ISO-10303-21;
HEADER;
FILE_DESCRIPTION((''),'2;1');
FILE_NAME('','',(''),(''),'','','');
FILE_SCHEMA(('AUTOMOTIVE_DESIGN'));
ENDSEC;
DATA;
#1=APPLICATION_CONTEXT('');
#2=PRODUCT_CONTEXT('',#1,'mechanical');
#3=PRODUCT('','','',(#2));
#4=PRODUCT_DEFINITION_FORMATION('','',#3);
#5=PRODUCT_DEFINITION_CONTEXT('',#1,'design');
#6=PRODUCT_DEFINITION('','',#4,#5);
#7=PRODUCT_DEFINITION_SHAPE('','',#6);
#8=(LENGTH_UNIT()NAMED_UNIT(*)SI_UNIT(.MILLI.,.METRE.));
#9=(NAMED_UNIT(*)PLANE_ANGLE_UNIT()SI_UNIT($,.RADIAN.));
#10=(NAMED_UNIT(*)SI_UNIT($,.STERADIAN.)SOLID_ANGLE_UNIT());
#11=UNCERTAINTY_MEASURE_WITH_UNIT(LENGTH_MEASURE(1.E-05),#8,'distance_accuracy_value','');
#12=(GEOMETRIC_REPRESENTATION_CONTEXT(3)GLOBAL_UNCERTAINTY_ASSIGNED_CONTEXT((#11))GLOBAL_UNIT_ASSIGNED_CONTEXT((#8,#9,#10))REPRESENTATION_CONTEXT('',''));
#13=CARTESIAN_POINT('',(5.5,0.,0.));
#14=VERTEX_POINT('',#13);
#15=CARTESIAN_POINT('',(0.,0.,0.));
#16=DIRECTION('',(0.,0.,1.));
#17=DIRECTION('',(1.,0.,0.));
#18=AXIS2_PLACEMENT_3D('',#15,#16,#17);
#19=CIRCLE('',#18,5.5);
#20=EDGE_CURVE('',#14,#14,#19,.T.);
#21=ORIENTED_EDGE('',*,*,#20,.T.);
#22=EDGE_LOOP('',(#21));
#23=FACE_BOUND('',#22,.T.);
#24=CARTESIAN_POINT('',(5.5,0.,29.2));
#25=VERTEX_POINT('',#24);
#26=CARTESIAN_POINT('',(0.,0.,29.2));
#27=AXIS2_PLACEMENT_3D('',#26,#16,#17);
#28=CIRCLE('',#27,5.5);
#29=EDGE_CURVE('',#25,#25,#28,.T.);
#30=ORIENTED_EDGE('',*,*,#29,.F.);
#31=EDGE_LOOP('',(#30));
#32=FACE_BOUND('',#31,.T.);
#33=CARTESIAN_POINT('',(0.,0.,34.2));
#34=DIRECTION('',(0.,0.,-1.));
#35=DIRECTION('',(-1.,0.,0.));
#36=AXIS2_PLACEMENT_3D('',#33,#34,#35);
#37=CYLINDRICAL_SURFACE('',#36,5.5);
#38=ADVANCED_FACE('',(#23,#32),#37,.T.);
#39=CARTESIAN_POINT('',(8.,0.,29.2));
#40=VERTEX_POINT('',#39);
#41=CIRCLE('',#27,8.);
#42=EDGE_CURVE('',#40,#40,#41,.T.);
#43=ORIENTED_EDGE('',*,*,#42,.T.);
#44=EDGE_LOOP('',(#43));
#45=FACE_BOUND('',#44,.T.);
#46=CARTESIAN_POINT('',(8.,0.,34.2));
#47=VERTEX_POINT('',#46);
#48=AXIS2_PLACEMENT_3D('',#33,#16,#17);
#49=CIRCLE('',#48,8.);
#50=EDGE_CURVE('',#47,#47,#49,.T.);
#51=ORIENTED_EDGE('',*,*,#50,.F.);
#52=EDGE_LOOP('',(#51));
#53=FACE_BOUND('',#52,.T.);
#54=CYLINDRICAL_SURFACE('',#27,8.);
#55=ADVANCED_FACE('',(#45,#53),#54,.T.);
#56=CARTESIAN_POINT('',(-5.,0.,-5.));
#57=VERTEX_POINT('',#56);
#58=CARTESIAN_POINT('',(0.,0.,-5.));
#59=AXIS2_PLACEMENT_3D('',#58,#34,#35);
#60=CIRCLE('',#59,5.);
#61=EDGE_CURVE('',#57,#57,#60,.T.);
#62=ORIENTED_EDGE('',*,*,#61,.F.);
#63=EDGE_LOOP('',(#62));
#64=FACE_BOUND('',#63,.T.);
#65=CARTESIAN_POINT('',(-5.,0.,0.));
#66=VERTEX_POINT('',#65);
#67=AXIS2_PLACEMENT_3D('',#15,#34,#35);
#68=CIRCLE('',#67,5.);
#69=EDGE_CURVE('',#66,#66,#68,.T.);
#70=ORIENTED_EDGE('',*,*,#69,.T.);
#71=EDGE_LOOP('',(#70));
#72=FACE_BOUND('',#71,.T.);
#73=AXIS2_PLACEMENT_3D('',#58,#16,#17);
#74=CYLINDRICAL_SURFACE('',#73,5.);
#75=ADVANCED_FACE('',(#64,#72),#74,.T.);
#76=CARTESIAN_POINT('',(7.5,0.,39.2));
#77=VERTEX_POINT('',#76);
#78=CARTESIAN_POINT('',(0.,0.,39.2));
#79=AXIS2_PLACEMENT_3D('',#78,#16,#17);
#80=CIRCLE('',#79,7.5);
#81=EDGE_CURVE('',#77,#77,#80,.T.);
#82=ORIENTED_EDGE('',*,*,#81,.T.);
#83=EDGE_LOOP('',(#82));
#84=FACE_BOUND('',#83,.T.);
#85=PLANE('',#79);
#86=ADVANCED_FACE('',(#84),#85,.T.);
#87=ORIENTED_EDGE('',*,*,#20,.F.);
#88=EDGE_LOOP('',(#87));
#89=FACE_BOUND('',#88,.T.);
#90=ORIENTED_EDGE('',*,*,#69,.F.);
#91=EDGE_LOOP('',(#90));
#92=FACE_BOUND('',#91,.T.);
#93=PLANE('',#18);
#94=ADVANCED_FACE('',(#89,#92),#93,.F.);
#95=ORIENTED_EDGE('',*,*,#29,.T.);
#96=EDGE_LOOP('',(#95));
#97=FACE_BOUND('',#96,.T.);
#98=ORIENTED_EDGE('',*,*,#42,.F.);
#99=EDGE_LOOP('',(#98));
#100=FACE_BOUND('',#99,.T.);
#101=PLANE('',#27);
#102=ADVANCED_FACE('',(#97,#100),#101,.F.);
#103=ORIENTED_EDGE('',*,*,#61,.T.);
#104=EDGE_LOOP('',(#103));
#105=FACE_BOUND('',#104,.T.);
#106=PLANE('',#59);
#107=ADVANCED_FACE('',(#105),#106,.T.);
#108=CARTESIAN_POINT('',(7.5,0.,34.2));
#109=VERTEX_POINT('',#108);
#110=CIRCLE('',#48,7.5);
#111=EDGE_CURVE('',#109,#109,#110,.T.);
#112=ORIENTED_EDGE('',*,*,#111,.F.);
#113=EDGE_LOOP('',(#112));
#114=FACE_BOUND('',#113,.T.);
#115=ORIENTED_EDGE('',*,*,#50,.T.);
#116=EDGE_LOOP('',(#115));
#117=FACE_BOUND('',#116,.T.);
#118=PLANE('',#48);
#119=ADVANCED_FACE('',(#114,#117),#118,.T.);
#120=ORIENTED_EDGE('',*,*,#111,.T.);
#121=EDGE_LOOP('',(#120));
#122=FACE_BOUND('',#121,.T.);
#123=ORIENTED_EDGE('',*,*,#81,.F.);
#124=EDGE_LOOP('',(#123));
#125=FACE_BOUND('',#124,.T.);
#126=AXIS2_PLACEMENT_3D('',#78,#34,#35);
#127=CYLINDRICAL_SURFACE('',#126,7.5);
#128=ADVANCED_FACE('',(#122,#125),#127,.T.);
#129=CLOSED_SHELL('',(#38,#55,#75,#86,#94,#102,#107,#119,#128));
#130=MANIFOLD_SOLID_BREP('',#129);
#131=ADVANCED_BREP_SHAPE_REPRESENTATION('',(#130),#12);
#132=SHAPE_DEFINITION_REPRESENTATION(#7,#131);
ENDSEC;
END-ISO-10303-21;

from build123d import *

# Parameters (mm, degrees)
SKETCH_1_R      = 5.5
EXTRUDE_1_DEPTH = 34.2
SKETCH_2_R      = 8
EXTRUDE_2_DEPTH = 5
SKETCH_3_R      = 7.5
EXTRUDE_3_DEPTH = 5
SKETCH_5_R      = 5
EXTRUDE_4_DEPTH = 5


with BuildPart() as part:
    # ｽｹｯﾁ1 → ﾎﾞｽ - 押し出し1 (new body)
    with BuildSketch(Plane.XY):
        Circle(SKETCH_1_R)
    extrude(amount=EXTRUDE_1_DEPTH)

    # ｽｹｯﾁ2 → ﾎﾞｽ - 押し出し2 (add)
    with BuildSketch(Plane.XY.offset(34.2)):
        Circle(SKETCH_2_R)
    extrude(amount=-EXTRUDE_2_DEPTH)

    # ｽｹｯﾁ3 → ﾎﾞｽ - 押し出し3 (add)
    with BuildSketch(Plane.XY.offset(34.2)):
        Circle(SKETCH_3_R)
    extrude(amount=EXTRUDE_3_DEPTH)

    # ｽｹｯﾁ5 → ﾎﾞｽ - 押し出し4 (add)
    with BuildSketch(Plane(origin=(0, 0, 0), x_dir=(-1, 0, 0), z_dir=(0, 0, -1))):
        Circle(SKETCH_5_R)
    extrude(amount=EXTRUDE_4_DEPTH)


solid = part.part
